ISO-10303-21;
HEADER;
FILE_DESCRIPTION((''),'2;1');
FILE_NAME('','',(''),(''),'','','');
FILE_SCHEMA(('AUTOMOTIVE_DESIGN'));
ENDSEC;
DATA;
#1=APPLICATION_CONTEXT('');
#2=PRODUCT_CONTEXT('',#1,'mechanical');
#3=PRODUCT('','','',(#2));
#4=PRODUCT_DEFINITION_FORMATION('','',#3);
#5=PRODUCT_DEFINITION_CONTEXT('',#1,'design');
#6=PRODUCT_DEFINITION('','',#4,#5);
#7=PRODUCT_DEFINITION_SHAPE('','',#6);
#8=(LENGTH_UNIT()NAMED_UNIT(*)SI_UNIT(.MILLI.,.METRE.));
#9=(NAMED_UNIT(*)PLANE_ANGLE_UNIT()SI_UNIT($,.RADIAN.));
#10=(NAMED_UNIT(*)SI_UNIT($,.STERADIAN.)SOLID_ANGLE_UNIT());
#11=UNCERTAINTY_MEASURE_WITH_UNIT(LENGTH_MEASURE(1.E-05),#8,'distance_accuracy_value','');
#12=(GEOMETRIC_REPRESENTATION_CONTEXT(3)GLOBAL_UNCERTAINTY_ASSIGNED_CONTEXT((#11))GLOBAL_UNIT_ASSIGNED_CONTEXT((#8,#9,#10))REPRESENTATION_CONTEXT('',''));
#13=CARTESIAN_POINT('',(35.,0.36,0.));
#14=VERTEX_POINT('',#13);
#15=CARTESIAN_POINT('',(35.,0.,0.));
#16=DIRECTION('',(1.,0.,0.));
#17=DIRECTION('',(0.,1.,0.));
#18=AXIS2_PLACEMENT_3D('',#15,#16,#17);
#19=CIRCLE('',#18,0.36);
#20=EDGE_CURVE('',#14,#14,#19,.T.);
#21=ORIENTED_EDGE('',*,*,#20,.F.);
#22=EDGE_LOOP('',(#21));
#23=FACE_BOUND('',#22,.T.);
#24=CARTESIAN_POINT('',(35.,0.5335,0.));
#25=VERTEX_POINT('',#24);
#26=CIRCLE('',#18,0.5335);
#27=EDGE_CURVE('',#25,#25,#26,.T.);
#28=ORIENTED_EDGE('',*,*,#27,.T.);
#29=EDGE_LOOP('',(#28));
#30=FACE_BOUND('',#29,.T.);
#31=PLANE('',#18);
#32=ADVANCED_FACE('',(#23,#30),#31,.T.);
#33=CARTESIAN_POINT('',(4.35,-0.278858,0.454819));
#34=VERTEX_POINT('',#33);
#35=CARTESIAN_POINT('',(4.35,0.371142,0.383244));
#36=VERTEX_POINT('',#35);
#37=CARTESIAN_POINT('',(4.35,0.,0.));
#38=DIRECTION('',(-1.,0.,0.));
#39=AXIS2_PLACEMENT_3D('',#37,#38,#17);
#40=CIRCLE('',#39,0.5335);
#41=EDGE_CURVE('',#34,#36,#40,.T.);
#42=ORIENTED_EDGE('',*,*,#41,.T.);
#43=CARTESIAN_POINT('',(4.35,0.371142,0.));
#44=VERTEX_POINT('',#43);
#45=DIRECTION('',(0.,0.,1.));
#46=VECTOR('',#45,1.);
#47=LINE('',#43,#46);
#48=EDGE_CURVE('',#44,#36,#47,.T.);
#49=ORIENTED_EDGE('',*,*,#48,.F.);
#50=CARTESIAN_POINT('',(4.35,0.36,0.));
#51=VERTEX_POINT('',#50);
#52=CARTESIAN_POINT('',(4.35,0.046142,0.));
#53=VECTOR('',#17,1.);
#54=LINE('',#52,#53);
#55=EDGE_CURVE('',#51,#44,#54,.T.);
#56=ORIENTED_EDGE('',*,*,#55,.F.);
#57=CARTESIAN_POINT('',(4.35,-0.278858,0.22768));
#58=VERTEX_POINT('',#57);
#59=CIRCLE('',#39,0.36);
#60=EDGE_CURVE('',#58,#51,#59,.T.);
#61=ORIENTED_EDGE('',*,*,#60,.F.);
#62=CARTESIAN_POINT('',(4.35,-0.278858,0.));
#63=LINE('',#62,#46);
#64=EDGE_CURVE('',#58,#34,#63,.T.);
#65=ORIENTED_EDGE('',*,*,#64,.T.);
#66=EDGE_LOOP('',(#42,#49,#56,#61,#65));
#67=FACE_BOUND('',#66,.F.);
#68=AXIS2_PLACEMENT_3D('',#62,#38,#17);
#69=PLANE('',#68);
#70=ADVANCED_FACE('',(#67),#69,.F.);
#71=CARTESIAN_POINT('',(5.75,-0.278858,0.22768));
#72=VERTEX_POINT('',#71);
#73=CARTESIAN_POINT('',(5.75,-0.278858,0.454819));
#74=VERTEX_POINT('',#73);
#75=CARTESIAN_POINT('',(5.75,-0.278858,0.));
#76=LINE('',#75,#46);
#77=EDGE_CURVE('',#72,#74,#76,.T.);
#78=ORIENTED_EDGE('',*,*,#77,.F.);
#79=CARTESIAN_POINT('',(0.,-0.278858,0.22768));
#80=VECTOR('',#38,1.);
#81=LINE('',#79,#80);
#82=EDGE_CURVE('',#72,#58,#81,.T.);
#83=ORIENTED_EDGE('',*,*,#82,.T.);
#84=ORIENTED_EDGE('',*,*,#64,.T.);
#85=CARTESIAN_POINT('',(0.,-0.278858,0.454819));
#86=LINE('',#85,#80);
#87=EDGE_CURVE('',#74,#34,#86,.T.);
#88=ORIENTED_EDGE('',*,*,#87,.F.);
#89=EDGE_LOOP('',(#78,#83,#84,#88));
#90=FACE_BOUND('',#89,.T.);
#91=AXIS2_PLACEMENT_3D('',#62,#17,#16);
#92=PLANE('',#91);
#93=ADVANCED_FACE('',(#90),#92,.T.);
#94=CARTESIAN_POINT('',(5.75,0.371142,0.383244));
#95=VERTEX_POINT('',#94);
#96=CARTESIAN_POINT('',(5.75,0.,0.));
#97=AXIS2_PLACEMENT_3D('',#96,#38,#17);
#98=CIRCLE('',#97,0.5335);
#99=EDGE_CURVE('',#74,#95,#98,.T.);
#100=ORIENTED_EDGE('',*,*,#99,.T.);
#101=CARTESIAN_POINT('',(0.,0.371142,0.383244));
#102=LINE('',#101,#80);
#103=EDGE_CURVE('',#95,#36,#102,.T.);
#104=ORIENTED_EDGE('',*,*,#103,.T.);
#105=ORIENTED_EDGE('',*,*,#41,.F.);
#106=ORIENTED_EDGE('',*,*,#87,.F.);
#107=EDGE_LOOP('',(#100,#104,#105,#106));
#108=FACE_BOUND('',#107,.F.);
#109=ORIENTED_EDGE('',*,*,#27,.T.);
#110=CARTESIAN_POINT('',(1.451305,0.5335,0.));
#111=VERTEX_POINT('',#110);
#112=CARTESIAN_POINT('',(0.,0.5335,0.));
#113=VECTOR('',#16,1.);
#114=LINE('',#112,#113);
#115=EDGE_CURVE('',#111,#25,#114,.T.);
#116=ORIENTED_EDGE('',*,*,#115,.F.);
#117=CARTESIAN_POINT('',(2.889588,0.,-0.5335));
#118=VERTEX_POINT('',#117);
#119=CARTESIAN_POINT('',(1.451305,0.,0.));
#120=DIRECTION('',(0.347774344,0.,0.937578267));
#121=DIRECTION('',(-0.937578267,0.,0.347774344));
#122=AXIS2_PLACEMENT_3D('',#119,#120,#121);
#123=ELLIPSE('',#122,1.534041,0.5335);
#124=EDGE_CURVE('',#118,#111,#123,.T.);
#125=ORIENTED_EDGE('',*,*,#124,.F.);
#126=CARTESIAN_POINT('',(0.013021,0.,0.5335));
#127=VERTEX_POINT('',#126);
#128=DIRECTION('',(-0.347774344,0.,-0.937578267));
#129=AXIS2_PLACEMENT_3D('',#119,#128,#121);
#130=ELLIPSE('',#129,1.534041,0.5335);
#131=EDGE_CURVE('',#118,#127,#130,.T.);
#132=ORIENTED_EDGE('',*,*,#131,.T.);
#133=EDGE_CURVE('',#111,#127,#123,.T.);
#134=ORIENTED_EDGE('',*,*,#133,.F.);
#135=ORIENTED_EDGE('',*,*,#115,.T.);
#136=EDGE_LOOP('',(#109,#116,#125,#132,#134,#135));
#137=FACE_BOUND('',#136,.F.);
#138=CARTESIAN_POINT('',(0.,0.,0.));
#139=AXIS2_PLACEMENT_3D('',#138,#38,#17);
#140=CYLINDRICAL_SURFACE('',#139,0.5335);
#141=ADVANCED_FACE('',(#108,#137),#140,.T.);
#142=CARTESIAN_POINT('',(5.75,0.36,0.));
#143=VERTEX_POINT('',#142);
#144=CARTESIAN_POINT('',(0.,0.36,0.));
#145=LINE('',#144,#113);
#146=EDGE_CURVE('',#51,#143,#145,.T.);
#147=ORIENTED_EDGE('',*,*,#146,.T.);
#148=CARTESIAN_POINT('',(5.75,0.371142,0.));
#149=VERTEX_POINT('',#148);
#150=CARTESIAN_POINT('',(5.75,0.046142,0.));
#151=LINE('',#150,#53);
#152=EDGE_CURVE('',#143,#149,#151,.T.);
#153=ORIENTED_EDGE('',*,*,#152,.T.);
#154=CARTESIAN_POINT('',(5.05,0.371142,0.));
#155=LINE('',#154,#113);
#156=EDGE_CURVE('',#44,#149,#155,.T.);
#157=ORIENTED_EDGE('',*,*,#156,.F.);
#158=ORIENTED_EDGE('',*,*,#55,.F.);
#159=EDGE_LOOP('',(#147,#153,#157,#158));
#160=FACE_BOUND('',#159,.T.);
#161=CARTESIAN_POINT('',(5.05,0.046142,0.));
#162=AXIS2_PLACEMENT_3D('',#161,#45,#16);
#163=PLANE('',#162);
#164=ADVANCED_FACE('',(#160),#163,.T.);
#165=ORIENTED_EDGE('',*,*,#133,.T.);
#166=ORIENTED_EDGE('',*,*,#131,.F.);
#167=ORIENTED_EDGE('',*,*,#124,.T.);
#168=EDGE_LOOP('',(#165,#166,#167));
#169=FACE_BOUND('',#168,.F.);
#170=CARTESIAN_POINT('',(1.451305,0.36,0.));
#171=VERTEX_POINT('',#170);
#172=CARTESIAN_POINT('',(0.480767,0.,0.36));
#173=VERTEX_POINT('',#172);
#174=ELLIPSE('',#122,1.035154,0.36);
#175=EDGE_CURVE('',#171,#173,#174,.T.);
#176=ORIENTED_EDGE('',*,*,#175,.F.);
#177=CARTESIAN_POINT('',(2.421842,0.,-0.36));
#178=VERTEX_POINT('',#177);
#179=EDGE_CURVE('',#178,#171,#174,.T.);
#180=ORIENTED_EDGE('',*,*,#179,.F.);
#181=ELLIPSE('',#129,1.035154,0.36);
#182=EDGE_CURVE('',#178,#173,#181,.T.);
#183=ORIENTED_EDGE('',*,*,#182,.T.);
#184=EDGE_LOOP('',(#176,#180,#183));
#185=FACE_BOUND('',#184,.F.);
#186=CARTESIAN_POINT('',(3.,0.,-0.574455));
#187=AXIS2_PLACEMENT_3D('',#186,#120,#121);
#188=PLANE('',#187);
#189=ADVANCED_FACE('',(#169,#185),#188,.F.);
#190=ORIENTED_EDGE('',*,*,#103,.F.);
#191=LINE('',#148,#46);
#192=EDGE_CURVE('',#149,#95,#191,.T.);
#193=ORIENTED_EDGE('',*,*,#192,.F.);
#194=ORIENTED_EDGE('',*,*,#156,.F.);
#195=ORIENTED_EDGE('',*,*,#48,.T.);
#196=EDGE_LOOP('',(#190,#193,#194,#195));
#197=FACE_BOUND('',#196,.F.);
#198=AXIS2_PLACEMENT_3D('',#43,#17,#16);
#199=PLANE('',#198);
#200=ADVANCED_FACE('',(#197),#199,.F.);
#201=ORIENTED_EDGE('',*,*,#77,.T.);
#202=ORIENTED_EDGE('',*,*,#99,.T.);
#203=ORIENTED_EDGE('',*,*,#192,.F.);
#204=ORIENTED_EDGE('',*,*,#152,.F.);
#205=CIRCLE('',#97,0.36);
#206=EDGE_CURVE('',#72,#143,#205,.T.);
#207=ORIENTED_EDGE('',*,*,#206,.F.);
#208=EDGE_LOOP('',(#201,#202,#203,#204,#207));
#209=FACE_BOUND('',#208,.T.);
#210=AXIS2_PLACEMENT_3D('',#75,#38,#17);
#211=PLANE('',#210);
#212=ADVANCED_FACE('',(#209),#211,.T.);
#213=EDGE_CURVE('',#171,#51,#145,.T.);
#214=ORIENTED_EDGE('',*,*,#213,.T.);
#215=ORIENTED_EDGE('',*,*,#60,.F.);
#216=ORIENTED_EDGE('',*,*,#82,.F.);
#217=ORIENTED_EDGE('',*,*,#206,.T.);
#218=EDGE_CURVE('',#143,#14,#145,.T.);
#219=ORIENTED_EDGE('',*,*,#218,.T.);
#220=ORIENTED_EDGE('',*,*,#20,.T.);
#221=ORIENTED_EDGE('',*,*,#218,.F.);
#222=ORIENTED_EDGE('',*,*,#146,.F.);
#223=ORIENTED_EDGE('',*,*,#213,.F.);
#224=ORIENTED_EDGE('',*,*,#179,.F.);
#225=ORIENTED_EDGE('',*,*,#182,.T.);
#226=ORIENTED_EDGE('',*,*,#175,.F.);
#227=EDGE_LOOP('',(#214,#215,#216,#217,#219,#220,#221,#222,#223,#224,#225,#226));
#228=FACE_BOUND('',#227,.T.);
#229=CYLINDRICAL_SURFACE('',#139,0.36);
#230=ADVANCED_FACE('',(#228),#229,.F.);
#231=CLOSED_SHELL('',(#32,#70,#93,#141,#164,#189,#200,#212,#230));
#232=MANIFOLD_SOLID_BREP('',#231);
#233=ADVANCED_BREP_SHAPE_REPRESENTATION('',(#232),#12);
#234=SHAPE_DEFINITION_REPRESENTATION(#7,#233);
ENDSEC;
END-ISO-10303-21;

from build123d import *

# Parameters (mm, degrees)
F0_R     = 0.5335
F0_R_2   = 0.36
F1_DEPTH = 35
F3_DEPTH = 0.5345
F4_DEPTH = 0.5345
F5_W     = 1.4
F5_H     = 0.65
F6_DEPTH = 1


with BuildPart() as f1:
    # F0 (on Right) → F1 (new body)
    with BuildSketch(Plane.YZ):
        Circle(F0_R)
        Circle(F0_R_2, mode=Mode.SUBTRACT)
    extrude(amount=F1_DEPTH)

    # F2 (on Front) → F3 (cut, through all)
    with BuildSketch(Plane.XZ):
        Polygon((3, -0.574455), (0, 0.53833), (0, -0.574455), align=None)
    extrude(amount=-F3_DEPTH, mode=Mode.SUBTRACT)

    # F2 (on Front) → F4 (cut, through all)
    with BuildSketch(Plane.XZ):
        Polygon((3, -0.574455), (0, 0.53833), (0, -0.574455), align=None)
    extrude(amount=F4_DEPTH, mode=Mode.SUBTRACT)

    # F5 (on Top) → F6 (cut)
    with BuildSketch(Plane.XY):
        with Locations((5.05, 0.046142)):
            Rectangle(F5_W, F5_H)
    extrude(amount=F6_DEPTH, mode=Mode.SUBTRACT)


solid = f1.part
